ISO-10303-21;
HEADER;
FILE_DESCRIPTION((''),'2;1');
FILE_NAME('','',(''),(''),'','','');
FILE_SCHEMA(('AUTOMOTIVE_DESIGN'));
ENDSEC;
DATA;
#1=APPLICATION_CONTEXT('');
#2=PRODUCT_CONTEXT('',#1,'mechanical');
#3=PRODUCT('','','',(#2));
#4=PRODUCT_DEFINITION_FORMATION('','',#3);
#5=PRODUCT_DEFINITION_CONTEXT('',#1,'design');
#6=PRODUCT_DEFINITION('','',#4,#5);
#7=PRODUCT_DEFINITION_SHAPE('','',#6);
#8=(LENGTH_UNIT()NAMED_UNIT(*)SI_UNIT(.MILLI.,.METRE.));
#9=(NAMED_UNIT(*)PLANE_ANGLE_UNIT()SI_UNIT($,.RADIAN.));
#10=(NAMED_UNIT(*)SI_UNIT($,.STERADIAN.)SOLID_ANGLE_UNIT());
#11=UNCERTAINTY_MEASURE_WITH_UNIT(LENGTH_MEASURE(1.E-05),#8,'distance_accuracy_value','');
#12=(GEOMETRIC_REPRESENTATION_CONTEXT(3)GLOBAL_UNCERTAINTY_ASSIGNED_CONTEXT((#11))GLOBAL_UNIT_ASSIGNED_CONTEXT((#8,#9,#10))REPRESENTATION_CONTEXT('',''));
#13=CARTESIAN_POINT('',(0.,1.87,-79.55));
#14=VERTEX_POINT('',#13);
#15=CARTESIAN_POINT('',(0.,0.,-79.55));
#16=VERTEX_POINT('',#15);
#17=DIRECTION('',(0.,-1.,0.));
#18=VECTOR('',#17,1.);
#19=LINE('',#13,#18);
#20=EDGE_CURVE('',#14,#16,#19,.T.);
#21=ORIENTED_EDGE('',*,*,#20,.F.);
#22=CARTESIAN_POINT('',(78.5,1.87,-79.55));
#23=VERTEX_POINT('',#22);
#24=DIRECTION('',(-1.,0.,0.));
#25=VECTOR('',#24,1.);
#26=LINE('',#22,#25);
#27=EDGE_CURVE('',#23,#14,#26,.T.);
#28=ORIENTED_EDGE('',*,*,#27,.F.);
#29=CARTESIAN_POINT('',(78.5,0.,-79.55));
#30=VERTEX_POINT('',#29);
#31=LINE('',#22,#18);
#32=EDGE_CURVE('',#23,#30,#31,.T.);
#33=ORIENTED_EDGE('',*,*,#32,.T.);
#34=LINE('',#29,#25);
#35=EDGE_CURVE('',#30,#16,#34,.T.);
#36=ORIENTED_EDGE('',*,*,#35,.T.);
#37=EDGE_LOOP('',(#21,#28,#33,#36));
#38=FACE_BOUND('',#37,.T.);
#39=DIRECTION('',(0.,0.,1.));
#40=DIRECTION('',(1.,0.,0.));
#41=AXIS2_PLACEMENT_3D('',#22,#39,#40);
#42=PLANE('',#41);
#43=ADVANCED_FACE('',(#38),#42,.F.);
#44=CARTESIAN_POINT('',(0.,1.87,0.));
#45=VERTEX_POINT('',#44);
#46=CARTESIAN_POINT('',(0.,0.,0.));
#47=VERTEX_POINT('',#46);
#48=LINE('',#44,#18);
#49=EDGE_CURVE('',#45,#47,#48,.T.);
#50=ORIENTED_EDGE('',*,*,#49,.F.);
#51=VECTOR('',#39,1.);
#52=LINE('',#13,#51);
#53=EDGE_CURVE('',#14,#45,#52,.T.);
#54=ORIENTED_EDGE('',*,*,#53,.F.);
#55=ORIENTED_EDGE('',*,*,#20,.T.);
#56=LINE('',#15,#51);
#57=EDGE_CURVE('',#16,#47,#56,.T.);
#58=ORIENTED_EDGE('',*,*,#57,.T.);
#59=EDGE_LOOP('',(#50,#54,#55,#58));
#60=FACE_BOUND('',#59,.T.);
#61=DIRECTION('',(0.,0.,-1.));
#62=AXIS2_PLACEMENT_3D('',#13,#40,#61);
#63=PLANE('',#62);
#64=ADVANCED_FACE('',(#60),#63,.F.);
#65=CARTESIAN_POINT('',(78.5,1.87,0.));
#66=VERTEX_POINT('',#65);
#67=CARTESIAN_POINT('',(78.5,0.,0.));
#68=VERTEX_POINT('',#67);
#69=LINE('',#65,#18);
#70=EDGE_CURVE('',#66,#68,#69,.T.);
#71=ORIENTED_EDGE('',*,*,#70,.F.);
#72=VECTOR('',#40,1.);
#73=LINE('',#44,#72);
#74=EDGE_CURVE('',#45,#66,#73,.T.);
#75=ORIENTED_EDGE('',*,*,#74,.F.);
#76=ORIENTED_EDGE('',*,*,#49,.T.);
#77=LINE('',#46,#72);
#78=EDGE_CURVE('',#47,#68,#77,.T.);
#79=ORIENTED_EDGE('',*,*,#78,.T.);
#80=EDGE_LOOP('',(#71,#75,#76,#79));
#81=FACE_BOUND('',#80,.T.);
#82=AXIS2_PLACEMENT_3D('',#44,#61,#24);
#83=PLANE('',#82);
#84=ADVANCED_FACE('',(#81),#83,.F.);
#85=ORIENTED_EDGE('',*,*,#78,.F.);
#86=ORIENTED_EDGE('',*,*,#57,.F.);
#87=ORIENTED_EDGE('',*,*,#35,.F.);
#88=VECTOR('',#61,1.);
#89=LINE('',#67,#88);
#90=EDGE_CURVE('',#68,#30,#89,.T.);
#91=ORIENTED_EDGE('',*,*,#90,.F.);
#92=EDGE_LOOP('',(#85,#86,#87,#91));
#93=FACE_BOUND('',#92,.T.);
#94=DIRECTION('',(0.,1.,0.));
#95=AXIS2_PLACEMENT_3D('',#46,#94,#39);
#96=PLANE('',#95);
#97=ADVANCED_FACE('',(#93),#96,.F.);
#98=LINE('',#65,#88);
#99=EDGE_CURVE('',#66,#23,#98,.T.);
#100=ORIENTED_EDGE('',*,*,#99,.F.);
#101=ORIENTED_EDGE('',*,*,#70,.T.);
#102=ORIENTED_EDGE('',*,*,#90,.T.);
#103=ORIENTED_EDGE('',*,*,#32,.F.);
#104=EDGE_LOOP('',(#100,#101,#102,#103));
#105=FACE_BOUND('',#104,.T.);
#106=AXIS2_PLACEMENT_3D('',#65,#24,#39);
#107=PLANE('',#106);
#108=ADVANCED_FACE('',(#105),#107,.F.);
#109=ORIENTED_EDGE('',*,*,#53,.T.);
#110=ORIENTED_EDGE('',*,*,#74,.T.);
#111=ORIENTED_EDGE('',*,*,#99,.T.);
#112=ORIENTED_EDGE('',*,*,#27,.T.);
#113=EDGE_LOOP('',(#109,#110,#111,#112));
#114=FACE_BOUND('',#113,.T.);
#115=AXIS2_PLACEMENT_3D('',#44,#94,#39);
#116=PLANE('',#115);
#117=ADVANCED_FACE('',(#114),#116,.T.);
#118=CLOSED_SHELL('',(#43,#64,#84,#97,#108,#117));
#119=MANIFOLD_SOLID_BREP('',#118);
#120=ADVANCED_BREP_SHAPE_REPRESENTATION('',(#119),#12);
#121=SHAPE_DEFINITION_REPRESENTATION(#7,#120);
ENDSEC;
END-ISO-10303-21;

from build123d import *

# Parameters (mm, degrees)
ESQUISSE1_W        = 78.5
ESQUISSE1_H        = 79.55
BOSS_EXTRU_1_DEPTH = 1.87


with BuildPart() as part:
    # Esquisse1 → Boss.-Extru.1 (new body)
    with BuildSketch(Plane(origin=(0, 0, 0), x_dir=(1, 0, 0), z_dir=(0, 1, 0))):
        with Locations((39.25, 39.775)):
            Rectangle(ESQUISSE1_W, ESQUISSE1_H)
    extrude(amount=BOSS_EXTRU_1_DEPTH)


solid = part.part
